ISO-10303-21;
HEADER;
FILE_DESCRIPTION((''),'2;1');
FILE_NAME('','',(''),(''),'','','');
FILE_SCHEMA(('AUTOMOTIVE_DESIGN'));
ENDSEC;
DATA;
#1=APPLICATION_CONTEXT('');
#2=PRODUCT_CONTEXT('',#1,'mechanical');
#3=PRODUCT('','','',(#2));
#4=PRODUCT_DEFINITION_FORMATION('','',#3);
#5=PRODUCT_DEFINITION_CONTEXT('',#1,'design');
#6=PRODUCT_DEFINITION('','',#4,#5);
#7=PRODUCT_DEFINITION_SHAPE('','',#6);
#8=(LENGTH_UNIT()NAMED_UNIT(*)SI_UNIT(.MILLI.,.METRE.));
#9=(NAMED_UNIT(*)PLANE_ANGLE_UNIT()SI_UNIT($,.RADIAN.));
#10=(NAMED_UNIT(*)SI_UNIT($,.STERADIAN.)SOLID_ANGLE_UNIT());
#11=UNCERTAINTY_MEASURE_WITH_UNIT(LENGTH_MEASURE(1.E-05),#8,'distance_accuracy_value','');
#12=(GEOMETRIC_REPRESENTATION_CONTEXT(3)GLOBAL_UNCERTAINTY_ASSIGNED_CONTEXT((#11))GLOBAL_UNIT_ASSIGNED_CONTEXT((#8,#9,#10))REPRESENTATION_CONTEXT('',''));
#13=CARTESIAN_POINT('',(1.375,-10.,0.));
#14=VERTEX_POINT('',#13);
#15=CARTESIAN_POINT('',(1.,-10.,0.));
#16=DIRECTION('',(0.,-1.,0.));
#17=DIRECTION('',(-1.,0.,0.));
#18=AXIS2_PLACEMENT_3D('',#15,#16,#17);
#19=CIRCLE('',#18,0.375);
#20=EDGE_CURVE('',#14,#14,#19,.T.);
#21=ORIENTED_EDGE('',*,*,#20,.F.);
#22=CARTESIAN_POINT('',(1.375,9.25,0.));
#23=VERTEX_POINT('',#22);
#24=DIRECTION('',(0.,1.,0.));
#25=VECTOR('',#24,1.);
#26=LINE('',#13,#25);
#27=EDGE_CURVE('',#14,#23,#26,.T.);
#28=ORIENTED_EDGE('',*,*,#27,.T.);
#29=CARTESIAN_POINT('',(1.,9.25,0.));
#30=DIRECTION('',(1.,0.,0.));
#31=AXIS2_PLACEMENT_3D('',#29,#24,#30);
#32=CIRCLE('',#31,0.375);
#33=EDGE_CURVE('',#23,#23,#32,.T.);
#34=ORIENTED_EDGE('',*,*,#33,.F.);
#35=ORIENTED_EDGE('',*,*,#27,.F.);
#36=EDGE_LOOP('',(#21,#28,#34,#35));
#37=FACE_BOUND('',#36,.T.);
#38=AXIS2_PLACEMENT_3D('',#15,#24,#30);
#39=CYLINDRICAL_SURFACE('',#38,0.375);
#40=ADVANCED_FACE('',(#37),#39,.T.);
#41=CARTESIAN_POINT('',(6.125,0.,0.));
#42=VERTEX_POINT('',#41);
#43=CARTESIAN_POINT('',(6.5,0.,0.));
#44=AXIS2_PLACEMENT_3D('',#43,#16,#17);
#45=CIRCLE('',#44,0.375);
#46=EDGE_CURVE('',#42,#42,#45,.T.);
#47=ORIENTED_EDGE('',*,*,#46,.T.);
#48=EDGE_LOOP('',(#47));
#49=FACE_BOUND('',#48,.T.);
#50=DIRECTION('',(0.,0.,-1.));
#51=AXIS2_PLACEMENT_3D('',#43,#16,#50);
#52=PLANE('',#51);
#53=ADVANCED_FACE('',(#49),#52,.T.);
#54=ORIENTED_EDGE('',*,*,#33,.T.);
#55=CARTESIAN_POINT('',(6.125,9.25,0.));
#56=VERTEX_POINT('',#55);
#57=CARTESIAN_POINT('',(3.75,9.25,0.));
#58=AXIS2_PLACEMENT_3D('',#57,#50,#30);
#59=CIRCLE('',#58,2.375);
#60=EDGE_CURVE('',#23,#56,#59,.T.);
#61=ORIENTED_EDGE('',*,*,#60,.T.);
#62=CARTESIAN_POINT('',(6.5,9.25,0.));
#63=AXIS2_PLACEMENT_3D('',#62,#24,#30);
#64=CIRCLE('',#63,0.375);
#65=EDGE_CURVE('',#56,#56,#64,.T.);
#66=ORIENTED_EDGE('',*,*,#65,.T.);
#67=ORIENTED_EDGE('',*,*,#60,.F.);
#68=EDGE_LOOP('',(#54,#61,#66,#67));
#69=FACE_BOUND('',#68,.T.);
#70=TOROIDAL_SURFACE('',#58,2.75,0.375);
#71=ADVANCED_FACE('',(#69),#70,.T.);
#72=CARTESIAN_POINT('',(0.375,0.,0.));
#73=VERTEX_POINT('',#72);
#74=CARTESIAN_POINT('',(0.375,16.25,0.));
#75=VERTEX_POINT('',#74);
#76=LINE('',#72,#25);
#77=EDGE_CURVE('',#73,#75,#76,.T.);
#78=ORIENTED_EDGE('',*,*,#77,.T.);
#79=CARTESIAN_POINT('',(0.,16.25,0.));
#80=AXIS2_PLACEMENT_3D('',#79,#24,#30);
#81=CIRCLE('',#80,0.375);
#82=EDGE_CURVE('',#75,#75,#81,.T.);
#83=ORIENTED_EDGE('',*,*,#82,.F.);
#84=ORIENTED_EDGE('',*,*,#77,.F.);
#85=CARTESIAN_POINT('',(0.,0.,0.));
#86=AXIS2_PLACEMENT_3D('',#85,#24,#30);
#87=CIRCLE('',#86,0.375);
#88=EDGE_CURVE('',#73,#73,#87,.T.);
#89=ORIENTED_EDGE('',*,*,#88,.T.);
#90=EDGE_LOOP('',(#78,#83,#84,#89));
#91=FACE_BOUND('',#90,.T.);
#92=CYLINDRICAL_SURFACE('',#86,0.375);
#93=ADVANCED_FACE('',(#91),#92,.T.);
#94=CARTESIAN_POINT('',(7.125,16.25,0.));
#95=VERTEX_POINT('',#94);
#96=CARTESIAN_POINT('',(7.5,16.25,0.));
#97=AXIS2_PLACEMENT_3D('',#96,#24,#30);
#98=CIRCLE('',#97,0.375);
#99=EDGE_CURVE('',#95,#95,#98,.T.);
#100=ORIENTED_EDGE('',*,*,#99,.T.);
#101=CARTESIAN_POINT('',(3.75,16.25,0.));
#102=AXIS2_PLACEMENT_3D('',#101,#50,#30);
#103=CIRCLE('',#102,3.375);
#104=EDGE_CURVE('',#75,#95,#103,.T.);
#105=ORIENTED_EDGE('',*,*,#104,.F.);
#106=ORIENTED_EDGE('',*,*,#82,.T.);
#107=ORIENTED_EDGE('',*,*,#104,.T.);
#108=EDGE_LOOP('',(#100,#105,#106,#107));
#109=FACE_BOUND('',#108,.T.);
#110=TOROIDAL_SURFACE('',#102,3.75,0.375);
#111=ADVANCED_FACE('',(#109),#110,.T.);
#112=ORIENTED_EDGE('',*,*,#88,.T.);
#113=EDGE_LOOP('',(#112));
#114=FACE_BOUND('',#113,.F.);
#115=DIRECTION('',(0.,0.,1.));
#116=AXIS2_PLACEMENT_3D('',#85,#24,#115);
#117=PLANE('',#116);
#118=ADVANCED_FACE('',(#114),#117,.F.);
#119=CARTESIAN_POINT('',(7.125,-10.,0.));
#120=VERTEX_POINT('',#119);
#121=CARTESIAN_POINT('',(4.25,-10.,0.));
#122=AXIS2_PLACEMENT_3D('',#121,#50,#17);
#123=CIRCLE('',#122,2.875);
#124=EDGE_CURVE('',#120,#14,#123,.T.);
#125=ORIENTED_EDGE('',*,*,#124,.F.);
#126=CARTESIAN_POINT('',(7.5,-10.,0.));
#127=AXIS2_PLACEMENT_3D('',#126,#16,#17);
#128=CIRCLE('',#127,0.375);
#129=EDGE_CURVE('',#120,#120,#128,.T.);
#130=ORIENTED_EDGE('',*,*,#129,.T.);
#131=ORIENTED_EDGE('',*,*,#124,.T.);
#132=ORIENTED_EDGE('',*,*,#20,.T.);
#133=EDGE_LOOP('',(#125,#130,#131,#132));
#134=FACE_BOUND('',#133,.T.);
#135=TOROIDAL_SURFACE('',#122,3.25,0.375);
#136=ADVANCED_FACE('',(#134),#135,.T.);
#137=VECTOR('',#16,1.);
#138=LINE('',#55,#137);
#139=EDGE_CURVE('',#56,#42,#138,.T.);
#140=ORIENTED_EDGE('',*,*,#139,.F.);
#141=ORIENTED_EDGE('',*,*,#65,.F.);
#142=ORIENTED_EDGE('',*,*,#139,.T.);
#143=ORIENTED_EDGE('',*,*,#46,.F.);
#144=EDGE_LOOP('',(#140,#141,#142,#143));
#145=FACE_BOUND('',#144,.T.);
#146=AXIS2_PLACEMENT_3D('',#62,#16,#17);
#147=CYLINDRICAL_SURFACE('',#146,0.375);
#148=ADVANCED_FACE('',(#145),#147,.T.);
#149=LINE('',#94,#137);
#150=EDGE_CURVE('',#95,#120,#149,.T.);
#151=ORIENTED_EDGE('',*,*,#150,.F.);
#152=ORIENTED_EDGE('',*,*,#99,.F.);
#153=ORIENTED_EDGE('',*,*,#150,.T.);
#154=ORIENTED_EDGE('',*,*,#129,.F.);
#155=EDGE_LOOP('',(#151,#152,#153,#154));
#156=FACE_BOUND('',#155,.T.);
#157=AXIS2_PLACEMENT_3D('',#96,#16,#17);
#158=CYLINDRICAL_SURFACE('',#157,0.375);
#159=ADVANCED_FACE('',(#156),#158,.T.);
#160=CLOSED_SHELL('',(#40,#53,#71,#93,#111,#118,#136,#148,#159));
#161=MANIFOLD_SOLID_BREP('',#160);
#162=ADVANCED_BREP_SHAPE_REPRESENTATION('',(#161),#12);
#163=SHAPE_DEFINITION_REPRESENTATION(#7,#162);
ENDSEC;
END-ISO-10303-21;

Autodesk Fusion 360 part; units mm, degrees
sketch "Sketch1" plane through (0, 0, 0) normal (0, 0, 1) x (1, 0, 0)
  line L0 (0, 0) -> (0, 16.25)
  line L1 (0, 16.25) -> (7.5, 16.25) construction
  line L2 (7.5, 16.25) -> (7.5, -10)
  line L3 (7.5, -10) -> (1, -10) construction
  line L4 (1, -10) -> (1, 9.25)
  line L5 (1, 9.25) -> (6.5, 9.25) construction
  line L6 (6.5, 9.25) -> (6.5, 0)
  arc A0 (7.5, 16.25) -> (0, 16.25) centre (3.75, 16.25) ccw
  arc A1 (6.5, 9.25) -> (1, 9.25) centre (3.75, 9.25) ccw
  arc A2 (1, -10) -> (7.5, -10) centre (4.25, -10) ccw
  dimension "d1" = 16.25
  dimension "d2" = 7.5
  dimension "d3" = 26.25
  dimension "d4" = 19.25
  dimension "d5" = 5.5
  dimension "d6" = 9.25
  dimension "d7" = 6.5
sketch "sweep" plane through (0, 0, 0) normal (0, 1, 0) x (1, 0, 0)
  circle A0 centre (0, 0) radius 0.375
  dimension "d8" = 0.75
sweep "Sweep1" add profiles "sweep" path "Sketch1" along L0 A0 L2 A2 L4 A1 L6 section 1
